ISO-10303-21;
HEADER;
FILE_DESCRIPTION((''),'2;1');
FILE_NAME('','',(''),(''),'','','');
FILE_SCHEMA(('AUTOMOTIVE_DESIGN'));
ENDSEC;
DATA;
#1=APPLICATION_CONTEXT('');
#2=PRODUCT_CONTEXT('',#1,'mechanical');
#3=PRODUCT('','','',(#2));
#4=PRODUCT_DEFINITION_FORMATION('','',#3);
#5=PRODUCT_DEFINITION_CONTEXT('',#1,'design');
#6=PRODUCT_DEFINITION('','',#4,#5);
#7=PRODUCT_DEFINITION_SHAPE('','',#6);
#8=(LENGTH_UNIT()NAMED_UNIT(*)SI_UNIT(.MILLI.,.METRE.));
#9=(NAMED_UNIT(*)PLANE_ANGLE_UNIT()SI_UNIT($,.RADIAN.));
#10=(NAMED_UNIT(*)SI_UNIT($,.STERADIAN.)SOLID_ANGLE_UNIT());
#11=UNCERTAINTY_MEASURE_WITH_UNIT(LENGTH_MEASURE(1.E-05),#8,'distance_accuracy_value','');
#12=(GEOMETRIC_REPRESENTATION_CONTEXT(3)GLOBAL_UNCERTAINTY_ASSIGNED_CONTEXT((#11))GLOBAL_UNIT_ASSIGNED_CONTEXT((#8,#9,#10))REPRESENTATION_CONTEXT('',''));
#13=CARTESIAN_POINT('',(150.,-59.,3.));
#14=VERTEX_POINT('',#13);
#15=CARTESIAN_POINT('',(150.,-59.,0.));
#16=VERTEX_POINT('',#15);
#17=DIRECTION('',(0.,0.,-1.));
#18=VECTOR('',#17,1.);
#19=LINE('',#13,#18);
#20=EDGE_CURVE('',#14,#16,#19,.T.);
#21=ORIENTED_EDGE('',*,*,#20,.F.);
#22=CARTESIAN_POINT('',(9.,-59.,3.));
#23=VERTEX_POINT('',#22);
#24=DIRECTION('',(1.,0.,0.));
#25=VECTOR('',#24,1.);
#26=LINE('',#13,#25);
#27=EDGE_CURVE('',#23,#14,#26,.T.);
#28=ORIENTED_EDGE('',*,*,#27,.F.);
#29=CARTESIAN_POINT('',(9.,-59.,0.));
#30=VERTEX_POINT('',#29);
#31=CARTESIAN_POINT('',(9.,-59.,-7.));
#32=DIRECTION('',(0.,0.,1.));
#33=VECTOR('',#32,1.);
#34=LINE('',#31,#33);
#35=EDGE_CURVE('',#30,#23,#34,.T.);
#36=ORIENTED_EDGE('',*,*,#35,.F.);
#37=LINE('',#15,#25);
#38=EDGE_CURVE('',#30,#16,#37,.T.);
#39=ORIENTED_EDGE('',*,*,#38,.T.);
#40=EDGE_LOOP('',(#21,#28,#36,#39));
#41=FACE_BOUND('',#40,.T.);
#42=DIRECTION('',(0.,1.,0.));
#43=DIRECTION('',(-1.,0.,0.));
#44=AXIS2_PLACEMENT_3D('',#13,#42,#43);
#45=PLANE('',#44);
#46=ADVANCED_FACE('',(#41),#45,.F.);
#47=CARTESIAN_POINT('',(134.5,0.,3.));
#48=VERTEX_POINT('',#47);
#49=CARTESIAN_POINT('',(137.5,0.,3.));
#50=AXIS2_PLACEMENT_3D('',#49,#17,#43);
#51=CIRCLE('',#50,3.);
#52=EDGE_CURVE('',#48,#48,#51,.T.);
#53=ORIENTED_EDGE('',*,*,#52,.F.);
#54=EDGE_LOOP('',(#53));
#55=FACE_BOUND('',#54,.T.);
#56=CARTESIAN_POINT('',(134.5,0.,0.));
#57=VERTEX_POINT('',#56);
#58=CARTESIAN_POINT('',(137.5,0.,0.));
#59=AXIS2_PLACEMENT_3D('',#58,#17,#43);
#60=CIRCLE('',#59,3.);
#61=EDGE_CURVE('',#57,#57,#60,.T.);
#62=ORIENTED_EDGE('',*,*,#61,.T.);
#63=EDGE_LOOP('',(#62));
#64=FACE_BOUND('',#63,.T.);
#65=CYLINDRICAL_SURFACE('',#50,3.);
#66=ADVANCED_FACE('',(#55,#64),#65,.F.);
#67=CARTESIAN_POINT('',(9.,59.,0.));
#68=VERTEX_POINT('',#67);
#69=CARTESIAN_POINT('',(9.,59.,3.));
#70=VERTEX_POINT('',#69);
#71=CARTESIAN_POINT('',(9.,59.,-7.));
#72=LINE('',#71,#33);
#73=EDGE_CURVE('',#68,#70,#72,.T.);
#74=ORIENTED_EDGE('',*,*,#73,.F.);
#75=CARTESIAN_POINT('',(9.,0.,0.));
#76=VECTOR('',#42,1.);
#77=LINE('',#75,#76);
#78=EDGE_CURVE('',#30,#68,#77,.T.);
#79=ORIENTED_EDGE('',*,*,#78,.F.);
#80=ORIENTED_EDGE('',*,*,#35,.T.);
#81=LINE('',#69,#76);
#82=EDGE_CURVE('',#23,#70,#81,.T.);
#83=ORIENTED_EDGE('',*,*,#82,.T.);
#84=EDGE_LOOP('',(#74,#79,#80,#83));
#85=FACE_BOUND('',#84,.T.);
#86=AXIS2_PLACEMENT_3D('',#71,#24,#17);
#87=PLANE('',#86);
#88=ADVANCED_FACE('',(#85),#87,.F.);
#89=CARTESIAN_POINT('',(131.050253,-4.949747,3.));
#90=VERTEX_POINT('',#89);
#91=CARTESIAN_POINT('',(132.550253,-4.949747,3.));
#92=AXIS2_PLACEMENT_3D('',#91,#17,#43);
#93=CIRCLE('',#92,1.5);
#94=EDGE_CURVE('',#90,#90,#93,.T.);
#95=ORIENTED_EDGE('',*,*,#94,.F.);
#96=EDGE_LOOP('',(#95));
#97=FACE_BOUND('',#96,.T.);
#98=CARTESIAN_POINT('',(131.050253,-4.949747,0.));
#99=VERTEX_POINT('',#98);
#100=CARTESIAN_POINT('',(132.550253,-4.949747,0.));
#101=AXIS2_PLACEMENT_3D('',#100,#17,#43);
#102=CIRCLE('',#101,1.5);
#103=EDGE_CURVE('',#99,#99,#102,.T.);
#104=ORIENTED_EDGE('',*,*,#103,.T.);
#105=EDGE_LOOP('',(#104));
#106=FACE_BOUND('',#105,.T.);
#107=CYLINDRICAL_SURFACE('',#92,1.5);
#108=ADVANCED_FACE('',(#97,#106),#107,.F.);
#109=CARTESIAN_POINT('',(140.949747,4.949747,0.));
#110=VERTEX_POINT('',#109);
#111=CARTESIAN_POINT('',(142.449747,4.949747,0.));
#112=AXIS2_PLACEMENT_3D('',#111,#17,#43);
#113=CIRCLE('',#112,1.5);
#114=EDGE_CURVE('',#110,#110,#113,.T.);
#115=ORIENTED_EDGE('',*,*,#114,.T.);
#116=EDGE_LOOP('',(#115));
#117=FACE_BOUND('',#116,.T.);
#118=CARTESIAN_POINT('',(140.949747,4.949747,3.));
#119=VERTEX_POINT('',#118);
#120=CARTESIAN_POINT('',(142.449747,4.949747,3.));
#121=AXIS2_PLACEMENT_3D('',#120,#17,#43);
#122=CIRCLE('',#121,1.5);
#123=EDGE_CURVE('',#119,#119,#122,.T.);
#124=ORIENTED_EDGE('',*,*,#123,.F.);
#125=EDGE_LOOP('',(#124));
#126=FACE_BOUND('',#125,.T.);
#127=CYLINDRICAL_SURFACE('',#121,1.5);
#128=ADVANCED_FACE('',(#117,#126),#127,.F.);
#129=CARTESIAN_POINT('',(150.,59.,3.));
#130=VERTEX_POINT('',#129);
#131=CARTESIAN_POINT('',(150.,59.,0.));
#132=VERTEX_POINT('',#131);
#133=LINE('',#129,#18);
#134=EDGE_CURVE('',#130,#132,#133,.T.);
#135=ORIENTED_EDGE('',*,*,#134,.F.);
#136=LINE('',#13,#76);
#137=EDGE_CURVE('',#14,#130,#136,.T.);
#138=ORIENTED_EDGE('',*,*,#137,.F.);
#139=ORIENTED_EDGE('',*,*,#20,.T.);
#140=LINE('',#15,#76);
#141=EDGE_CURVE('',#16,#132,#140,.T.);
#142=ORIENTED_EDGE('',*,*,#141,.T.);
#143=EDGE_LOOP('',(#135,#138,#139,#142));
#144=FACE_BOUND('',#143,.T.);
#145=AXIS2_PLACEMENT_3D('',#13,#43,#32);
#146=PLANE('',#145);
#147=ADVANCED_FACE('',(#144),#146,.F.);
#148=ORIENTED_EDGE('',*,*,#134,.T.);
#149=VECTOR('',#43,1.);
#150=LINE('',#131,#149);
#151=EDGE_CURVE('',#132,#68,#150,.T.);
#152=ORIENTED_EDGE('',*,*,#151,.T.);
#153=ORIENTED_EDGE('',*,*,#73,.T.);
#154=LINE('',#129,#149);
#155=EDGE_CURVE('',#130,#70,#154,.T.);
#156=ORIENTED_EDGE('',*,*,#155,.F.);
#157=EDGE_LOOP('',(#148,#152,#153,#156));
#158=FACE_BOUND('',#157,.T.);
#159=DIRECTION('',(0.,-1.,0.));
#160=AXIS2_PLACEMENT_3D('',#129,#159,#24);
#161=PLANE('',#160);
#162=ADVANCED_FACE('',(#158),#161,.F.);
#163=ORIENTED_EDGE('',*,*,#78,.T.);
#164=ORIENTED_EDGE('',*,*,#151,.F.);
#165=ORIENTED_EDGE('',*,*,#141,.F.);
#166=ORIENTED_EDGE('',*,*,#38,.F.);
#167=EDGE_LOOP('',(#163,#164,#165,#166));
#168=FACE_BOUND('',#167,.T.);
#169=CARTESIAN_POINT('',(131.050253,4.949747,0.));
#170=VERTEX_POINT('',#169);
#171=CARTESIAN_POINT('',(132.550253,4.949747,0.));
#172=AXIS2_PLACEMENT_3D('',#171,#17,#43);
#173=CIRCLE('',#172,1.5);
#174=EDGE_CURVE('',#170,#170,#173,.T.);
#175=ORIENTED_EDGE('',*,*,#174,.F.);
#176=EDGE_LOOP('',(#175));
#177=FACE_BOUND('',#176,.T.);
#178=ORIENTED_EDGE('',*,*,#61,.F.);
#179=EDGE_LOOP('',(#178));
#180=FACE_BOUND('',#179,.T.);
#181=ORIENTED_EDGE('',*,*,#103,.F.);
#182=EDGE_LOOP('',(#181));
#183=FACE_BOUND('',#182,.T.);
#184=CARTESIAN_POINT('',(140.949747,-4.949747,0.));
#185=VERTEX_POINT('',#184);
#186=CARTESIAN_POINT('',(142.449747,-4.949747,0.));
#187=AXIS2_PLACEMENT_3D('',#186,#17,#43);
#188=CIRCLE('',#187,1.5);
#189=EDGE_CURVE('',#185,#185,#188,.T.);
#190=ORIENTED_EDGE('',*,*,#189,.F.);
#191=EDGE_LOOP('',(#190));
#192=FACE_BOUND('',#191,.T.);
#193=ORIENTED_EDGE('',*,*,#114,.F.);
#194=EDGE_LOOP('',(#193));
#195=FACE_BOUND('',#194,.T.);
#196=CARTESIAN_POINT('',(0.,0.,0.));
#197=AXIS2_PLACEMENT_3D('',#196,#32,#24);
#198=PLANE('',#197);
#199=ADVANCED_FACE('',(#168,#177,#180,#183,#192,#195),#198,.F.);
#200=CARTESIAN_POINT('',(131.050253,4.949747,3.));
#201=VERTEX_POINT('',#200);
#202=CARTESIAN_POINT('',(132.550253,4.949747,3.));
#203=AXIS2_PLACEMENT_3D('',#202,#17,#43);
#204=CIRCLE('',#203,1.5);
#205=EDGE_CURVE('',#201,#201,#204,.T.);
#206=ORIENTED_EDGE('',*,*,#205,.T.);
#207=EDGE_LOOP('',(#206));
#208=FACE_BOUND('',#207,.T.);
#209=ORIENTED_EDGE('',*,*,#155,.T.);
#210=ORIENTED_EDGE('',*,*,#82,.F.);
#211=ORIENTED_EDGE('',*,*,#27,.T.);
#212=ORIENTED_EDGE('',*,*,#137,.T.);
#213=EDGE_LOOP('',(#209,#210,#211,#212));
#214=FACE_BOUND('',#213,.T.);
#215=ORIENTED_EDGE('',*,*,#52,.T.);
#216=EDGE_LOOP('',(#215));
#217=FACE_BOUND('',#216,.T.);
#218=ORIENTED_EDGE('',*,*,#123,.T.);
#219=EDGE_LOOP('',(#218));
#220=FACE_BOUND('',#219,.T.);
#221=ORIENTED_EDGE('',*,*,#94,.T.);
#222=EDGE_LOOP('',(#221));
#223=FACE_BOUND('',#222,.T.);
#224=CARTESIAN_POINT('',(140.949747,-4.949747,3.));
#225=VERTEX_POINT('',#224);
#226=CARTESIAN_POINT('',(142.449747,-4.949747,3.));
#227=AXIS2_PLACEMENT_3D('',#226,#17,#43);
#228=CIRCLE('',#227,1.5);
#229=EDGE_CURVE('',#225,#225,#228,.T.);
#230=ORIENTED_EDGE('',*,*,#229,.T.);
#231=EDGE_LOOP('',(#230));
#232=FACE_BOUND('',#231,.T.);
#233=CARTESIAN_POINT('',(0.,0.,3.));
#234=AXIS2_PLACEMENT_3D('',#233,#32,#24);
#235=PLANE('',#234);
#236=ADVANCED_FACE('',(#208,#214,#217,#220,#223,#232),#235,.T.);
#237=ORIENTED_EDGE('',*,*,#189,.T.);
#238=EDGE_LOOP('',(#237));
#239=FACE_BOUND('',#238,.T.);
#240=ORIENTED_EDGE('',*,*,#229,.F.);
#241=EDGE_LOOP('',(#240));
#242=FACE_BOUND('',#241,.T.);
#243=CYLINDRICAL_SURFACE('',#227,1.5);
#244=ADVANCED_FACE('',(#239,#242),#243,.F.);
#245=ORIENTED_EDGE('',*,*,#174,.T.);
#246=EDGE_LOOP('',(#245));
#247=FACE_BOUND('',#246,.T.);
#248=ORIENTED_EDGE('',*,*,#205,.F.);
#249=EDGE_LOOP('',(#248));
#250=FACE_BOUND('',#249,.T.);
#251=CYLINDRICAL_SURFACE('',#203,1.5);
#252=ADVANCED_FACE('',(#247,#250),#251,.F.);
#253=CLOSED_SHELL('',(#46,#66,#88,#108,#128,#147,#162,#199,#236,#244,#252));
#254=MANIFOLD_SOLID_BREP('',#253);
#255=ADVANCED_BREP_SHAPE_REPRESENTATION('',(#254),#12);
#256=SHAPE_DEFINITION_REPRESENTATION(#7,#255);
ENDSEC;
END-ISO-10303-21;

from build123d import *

# Parameters (mm, degrees)
SKETCH_1_W          = 300
SKETCH_1_H          = 118
EXTRUDE_1_DEPTH     = 3
SKETCH_2_R          = 1.5
SKETCH_2_R_2        = 3
CUT_EXTRUDE_1_DEPTH = 3
SKETCH_6_W          = 159
SKETCH_6_H          = 118
CUT_EXTRUDE_2_DEPTH = 10


with BuildPart() as part:
    # 草图1 → 凸台-拉伸1 (new body)
    with BuildSketch(Plane.XY):
        Rectangle(SKETCH_1_W, SKETCH_1_H)
    extrude(amount=EXTRUDE_1_DEPTH)

    # 草图2 → 切除-拉伸1 (cut)
    with BuildSketch(Plane(origin=(0, 0, 0), x_dir=(-1, 0, 0), z_dir=(0, 0, -1))):
        with Locations((-142.449747468, 4.949747468)):
            Circle(SKETCH_2_R)
        with Locations((-132.550252532, 4.949747468)):
            Circle(SKETCH_2_R)
        with Locations((-137.5, 0)):
            Circle(SKETCH_2_R_2)
        with Locations((-142.449747468, -4.949747468)):
            Circle(SKETCH_2_R)
        with Locations((-132.550252532, -4.949747468)):
            Circle(SKETCH_2_R)
    extrude(amount=-CUT_EXTRUDE_1_DEPTH, mode=Mode.SUBTRACT)

    # 草图6 → 切除-拉伸2 (cut)
    with BuildSketch(Plane.XY.offset(3)):
        with Locations((-70.5, 0)):
            Rectangle(SKETCH_6_W, SKETCH_6_H)
    extrude(amount=-CUT_EXTRUDE_2_DEPTH, mode=Mode.SUBTRACT)


solid = part.part
